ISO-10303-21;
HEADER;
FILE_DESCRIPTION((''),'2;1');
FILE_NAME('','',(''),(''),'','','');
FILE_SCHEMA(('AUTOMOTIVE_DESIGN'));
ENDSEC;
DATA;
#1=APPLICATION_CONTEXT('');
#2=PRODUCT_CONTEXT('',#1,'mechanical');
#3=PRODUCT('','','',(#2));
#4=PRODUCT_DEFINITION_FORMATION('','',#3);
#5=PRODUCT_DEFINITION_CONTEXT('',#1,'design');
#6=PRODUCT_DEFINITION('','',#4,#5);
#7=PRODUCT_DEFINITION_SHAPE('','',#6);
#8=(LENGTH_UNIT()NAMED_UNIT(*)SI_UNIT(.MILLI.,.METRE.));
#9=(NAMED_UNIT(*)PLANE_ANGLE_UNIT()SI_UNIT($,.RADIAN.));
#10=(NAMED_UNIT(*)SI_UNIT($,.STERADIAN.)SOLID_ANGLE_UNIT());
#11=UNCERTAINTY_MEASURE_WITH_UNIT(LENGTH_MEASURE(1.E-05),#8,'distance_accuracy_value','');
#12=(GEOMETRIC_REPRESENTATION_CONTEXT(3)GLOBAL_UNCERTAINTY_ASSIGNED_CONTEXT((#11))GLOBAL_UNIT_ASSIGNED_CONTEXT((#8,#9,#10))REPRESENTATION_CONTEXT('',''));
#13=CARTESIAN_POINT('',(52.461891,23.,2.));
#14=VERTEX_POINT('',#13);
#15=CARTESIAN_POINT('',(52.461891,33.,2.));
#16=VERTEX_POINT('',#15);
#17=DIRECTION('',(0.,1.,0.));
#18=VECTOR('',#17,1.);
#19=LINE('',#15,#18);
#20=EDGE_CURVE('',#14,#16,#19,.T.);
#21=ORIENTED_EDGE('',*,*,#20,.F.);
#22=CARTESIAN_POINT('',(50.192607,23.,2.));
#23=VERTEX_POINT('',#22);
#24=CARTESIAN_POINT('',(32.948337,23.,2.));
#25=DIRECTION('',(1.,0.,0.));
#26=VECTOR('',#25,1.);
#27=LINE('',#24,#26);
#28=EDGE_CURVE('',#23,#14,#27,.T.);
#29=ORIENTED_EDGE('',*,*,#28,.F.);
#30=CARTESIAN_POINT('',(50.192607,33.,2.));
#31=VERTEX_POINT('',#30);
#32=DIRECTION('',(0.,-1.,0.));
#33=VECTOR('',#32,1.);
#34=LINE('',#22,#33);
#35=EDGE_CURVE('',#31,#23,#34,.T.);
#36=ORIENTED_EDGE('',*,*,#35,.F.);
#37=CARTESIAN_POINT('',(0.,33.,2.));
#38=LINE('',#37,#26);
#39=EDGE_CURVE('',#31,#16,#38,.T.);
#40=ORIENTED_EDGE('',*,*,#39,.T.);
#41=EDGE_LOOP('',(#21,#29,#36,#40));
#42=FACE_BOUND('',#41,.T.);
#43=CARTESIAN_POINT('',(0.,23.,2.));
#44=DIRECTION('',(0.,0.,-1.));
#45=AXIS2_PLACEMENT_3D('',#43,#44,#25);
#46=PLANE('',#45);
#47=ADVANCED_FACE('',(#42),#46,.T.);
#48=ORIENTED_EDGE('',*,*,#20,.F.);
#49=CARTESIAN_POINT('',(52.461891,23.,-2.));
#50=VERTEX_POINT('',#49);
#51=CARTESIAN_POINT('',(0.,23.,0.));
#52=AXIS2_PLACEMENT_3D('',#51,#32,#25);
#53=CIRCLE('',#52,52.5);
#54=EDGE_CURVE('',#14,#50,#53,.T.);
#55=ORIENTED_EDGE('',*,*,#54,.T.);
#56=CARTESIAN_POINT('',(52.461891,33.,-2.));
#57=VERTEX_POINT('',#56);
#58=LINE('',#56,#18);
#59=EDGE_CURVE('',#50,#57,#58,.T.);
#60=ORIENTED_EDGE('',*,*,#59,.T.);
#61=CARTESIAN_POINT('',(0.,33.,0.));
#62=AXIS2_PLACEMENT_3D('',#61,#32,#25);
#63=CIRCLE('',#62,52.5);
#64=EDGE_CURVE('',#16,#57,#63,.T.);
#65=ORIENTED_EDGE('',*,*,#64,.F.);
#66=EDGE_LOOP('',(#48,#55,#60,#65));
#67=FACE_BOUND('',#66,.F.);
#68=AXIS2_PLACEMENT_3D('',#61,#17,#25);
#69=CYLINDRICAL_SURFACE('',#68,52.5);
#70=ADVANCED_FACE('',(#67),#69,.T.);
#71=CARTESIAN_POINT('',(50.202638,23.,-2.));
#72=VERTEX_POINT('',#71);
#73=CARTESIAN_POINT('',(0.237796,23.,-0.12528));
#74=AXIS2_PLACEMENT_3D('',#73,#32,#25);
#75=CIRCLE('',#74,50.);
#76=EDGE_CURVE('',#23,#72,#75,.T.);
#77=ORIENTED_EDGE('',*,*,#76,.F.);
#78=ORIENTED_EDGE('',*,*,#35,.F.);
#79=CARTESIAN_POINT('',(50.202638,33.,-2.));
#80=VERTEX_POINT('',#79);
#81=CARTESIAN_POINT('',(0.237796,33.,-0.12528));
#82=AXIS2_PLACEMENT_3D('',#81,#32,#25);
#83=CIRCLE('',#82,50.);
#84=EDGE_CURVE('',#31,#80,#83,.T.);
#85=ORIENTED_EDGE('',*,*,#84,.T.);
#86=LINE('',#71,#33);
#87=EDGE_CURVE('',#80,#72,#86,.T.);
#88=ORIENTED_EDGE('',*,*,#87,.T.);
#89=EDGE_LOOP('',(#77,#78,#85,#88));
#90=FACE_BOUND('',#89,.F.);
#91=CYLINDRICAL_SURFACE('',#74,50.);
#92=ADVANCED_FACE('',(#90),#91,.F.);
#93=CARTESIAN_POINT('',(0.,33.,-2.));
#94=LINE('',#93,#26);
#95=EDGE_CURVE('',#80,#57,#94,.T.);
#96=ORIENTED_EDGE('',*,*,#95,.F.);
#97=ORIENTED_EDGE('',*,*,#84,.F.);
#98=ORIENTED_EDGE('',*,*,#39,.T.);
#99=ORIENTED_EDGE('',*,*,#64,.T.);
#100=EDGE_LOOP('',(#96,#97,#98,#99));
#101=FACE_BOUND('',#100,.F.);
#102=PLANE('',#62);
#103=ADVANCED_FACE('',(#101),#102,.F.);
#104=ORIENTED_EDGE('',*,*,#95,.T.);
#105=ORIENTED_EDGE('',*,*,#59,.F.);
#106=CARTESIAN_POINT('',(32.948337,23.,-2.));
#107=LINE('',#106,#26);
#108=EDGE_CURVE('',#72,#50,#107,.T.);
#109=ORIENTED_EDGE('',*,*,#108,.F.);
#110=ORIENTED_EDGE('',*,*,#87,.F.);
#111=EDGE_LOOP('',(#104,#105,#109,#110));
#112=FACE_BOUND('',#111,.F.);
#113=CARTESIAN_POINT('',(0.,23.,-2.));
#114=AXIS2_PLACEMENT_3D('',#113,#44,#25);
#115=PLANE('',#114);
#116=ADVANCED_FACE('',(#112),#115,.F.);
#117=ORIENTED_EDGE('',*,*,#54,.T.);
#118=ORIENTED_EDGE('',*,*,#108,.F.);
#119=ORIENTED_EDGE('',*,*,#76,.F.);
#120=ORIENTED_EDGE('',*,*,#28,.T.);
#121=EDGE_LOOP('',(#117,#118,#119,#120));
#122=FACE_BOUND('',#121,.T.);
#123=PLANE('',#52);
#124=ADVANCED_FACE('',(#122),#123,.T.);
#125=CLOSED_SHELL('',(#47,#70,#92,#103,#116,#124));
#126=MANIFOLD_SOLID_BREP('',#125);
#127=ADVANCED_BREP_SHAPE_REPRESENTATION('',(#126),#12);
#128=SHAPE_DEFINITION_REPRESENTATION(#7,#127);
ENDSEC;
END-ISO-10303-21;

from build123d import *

# Parameters (mm, degrees)
SKETCH035_R     = 52.5
PAD012_DEPTH    = 10
SKETCH034_R     = 50
POCKET006_DEPTH = 25
SKETCH033_W     = 65.896674
SKETCH033_H     = 4
POCKET007_DEPTH = 21


with BuildPart() as part:
    # Sketch035 → Pad012 (new body)
    with BuildSketch(Plane.XZ):
        Circle(SKETCH035_R)
    extrude(amount=PAD012_DEPTH)

    # Sketch034 (on Face3 of Pad012) → Pocket006 (cut)
    with BuildSketch(Plane.XZ.offset(10)):
        with Locations((0.237796, -0.12528)):
            Circle(SKETCH034_R)
    extrude(amount=-POCKET006_DEPTH, mode=Mode.SUBTRACT)

    # Sketch033 (on Face3 of Pocket006) → Pocket007 (cut)
    with BuildSketch(Plane.XZ.offset(10)):
        with Locations((32.948337, 0)):
            Rectangle(SKETCH033_W, SKETCH033_H)
    extrude(amount=-POCKET007_DEPTH, mode=Mode.SUBTRACT)


with BuildPart() as part_1:
    # Body010 placement: moved
    add(part.part.moved(Location((0, 33, 0))))


solid = part_1.part
